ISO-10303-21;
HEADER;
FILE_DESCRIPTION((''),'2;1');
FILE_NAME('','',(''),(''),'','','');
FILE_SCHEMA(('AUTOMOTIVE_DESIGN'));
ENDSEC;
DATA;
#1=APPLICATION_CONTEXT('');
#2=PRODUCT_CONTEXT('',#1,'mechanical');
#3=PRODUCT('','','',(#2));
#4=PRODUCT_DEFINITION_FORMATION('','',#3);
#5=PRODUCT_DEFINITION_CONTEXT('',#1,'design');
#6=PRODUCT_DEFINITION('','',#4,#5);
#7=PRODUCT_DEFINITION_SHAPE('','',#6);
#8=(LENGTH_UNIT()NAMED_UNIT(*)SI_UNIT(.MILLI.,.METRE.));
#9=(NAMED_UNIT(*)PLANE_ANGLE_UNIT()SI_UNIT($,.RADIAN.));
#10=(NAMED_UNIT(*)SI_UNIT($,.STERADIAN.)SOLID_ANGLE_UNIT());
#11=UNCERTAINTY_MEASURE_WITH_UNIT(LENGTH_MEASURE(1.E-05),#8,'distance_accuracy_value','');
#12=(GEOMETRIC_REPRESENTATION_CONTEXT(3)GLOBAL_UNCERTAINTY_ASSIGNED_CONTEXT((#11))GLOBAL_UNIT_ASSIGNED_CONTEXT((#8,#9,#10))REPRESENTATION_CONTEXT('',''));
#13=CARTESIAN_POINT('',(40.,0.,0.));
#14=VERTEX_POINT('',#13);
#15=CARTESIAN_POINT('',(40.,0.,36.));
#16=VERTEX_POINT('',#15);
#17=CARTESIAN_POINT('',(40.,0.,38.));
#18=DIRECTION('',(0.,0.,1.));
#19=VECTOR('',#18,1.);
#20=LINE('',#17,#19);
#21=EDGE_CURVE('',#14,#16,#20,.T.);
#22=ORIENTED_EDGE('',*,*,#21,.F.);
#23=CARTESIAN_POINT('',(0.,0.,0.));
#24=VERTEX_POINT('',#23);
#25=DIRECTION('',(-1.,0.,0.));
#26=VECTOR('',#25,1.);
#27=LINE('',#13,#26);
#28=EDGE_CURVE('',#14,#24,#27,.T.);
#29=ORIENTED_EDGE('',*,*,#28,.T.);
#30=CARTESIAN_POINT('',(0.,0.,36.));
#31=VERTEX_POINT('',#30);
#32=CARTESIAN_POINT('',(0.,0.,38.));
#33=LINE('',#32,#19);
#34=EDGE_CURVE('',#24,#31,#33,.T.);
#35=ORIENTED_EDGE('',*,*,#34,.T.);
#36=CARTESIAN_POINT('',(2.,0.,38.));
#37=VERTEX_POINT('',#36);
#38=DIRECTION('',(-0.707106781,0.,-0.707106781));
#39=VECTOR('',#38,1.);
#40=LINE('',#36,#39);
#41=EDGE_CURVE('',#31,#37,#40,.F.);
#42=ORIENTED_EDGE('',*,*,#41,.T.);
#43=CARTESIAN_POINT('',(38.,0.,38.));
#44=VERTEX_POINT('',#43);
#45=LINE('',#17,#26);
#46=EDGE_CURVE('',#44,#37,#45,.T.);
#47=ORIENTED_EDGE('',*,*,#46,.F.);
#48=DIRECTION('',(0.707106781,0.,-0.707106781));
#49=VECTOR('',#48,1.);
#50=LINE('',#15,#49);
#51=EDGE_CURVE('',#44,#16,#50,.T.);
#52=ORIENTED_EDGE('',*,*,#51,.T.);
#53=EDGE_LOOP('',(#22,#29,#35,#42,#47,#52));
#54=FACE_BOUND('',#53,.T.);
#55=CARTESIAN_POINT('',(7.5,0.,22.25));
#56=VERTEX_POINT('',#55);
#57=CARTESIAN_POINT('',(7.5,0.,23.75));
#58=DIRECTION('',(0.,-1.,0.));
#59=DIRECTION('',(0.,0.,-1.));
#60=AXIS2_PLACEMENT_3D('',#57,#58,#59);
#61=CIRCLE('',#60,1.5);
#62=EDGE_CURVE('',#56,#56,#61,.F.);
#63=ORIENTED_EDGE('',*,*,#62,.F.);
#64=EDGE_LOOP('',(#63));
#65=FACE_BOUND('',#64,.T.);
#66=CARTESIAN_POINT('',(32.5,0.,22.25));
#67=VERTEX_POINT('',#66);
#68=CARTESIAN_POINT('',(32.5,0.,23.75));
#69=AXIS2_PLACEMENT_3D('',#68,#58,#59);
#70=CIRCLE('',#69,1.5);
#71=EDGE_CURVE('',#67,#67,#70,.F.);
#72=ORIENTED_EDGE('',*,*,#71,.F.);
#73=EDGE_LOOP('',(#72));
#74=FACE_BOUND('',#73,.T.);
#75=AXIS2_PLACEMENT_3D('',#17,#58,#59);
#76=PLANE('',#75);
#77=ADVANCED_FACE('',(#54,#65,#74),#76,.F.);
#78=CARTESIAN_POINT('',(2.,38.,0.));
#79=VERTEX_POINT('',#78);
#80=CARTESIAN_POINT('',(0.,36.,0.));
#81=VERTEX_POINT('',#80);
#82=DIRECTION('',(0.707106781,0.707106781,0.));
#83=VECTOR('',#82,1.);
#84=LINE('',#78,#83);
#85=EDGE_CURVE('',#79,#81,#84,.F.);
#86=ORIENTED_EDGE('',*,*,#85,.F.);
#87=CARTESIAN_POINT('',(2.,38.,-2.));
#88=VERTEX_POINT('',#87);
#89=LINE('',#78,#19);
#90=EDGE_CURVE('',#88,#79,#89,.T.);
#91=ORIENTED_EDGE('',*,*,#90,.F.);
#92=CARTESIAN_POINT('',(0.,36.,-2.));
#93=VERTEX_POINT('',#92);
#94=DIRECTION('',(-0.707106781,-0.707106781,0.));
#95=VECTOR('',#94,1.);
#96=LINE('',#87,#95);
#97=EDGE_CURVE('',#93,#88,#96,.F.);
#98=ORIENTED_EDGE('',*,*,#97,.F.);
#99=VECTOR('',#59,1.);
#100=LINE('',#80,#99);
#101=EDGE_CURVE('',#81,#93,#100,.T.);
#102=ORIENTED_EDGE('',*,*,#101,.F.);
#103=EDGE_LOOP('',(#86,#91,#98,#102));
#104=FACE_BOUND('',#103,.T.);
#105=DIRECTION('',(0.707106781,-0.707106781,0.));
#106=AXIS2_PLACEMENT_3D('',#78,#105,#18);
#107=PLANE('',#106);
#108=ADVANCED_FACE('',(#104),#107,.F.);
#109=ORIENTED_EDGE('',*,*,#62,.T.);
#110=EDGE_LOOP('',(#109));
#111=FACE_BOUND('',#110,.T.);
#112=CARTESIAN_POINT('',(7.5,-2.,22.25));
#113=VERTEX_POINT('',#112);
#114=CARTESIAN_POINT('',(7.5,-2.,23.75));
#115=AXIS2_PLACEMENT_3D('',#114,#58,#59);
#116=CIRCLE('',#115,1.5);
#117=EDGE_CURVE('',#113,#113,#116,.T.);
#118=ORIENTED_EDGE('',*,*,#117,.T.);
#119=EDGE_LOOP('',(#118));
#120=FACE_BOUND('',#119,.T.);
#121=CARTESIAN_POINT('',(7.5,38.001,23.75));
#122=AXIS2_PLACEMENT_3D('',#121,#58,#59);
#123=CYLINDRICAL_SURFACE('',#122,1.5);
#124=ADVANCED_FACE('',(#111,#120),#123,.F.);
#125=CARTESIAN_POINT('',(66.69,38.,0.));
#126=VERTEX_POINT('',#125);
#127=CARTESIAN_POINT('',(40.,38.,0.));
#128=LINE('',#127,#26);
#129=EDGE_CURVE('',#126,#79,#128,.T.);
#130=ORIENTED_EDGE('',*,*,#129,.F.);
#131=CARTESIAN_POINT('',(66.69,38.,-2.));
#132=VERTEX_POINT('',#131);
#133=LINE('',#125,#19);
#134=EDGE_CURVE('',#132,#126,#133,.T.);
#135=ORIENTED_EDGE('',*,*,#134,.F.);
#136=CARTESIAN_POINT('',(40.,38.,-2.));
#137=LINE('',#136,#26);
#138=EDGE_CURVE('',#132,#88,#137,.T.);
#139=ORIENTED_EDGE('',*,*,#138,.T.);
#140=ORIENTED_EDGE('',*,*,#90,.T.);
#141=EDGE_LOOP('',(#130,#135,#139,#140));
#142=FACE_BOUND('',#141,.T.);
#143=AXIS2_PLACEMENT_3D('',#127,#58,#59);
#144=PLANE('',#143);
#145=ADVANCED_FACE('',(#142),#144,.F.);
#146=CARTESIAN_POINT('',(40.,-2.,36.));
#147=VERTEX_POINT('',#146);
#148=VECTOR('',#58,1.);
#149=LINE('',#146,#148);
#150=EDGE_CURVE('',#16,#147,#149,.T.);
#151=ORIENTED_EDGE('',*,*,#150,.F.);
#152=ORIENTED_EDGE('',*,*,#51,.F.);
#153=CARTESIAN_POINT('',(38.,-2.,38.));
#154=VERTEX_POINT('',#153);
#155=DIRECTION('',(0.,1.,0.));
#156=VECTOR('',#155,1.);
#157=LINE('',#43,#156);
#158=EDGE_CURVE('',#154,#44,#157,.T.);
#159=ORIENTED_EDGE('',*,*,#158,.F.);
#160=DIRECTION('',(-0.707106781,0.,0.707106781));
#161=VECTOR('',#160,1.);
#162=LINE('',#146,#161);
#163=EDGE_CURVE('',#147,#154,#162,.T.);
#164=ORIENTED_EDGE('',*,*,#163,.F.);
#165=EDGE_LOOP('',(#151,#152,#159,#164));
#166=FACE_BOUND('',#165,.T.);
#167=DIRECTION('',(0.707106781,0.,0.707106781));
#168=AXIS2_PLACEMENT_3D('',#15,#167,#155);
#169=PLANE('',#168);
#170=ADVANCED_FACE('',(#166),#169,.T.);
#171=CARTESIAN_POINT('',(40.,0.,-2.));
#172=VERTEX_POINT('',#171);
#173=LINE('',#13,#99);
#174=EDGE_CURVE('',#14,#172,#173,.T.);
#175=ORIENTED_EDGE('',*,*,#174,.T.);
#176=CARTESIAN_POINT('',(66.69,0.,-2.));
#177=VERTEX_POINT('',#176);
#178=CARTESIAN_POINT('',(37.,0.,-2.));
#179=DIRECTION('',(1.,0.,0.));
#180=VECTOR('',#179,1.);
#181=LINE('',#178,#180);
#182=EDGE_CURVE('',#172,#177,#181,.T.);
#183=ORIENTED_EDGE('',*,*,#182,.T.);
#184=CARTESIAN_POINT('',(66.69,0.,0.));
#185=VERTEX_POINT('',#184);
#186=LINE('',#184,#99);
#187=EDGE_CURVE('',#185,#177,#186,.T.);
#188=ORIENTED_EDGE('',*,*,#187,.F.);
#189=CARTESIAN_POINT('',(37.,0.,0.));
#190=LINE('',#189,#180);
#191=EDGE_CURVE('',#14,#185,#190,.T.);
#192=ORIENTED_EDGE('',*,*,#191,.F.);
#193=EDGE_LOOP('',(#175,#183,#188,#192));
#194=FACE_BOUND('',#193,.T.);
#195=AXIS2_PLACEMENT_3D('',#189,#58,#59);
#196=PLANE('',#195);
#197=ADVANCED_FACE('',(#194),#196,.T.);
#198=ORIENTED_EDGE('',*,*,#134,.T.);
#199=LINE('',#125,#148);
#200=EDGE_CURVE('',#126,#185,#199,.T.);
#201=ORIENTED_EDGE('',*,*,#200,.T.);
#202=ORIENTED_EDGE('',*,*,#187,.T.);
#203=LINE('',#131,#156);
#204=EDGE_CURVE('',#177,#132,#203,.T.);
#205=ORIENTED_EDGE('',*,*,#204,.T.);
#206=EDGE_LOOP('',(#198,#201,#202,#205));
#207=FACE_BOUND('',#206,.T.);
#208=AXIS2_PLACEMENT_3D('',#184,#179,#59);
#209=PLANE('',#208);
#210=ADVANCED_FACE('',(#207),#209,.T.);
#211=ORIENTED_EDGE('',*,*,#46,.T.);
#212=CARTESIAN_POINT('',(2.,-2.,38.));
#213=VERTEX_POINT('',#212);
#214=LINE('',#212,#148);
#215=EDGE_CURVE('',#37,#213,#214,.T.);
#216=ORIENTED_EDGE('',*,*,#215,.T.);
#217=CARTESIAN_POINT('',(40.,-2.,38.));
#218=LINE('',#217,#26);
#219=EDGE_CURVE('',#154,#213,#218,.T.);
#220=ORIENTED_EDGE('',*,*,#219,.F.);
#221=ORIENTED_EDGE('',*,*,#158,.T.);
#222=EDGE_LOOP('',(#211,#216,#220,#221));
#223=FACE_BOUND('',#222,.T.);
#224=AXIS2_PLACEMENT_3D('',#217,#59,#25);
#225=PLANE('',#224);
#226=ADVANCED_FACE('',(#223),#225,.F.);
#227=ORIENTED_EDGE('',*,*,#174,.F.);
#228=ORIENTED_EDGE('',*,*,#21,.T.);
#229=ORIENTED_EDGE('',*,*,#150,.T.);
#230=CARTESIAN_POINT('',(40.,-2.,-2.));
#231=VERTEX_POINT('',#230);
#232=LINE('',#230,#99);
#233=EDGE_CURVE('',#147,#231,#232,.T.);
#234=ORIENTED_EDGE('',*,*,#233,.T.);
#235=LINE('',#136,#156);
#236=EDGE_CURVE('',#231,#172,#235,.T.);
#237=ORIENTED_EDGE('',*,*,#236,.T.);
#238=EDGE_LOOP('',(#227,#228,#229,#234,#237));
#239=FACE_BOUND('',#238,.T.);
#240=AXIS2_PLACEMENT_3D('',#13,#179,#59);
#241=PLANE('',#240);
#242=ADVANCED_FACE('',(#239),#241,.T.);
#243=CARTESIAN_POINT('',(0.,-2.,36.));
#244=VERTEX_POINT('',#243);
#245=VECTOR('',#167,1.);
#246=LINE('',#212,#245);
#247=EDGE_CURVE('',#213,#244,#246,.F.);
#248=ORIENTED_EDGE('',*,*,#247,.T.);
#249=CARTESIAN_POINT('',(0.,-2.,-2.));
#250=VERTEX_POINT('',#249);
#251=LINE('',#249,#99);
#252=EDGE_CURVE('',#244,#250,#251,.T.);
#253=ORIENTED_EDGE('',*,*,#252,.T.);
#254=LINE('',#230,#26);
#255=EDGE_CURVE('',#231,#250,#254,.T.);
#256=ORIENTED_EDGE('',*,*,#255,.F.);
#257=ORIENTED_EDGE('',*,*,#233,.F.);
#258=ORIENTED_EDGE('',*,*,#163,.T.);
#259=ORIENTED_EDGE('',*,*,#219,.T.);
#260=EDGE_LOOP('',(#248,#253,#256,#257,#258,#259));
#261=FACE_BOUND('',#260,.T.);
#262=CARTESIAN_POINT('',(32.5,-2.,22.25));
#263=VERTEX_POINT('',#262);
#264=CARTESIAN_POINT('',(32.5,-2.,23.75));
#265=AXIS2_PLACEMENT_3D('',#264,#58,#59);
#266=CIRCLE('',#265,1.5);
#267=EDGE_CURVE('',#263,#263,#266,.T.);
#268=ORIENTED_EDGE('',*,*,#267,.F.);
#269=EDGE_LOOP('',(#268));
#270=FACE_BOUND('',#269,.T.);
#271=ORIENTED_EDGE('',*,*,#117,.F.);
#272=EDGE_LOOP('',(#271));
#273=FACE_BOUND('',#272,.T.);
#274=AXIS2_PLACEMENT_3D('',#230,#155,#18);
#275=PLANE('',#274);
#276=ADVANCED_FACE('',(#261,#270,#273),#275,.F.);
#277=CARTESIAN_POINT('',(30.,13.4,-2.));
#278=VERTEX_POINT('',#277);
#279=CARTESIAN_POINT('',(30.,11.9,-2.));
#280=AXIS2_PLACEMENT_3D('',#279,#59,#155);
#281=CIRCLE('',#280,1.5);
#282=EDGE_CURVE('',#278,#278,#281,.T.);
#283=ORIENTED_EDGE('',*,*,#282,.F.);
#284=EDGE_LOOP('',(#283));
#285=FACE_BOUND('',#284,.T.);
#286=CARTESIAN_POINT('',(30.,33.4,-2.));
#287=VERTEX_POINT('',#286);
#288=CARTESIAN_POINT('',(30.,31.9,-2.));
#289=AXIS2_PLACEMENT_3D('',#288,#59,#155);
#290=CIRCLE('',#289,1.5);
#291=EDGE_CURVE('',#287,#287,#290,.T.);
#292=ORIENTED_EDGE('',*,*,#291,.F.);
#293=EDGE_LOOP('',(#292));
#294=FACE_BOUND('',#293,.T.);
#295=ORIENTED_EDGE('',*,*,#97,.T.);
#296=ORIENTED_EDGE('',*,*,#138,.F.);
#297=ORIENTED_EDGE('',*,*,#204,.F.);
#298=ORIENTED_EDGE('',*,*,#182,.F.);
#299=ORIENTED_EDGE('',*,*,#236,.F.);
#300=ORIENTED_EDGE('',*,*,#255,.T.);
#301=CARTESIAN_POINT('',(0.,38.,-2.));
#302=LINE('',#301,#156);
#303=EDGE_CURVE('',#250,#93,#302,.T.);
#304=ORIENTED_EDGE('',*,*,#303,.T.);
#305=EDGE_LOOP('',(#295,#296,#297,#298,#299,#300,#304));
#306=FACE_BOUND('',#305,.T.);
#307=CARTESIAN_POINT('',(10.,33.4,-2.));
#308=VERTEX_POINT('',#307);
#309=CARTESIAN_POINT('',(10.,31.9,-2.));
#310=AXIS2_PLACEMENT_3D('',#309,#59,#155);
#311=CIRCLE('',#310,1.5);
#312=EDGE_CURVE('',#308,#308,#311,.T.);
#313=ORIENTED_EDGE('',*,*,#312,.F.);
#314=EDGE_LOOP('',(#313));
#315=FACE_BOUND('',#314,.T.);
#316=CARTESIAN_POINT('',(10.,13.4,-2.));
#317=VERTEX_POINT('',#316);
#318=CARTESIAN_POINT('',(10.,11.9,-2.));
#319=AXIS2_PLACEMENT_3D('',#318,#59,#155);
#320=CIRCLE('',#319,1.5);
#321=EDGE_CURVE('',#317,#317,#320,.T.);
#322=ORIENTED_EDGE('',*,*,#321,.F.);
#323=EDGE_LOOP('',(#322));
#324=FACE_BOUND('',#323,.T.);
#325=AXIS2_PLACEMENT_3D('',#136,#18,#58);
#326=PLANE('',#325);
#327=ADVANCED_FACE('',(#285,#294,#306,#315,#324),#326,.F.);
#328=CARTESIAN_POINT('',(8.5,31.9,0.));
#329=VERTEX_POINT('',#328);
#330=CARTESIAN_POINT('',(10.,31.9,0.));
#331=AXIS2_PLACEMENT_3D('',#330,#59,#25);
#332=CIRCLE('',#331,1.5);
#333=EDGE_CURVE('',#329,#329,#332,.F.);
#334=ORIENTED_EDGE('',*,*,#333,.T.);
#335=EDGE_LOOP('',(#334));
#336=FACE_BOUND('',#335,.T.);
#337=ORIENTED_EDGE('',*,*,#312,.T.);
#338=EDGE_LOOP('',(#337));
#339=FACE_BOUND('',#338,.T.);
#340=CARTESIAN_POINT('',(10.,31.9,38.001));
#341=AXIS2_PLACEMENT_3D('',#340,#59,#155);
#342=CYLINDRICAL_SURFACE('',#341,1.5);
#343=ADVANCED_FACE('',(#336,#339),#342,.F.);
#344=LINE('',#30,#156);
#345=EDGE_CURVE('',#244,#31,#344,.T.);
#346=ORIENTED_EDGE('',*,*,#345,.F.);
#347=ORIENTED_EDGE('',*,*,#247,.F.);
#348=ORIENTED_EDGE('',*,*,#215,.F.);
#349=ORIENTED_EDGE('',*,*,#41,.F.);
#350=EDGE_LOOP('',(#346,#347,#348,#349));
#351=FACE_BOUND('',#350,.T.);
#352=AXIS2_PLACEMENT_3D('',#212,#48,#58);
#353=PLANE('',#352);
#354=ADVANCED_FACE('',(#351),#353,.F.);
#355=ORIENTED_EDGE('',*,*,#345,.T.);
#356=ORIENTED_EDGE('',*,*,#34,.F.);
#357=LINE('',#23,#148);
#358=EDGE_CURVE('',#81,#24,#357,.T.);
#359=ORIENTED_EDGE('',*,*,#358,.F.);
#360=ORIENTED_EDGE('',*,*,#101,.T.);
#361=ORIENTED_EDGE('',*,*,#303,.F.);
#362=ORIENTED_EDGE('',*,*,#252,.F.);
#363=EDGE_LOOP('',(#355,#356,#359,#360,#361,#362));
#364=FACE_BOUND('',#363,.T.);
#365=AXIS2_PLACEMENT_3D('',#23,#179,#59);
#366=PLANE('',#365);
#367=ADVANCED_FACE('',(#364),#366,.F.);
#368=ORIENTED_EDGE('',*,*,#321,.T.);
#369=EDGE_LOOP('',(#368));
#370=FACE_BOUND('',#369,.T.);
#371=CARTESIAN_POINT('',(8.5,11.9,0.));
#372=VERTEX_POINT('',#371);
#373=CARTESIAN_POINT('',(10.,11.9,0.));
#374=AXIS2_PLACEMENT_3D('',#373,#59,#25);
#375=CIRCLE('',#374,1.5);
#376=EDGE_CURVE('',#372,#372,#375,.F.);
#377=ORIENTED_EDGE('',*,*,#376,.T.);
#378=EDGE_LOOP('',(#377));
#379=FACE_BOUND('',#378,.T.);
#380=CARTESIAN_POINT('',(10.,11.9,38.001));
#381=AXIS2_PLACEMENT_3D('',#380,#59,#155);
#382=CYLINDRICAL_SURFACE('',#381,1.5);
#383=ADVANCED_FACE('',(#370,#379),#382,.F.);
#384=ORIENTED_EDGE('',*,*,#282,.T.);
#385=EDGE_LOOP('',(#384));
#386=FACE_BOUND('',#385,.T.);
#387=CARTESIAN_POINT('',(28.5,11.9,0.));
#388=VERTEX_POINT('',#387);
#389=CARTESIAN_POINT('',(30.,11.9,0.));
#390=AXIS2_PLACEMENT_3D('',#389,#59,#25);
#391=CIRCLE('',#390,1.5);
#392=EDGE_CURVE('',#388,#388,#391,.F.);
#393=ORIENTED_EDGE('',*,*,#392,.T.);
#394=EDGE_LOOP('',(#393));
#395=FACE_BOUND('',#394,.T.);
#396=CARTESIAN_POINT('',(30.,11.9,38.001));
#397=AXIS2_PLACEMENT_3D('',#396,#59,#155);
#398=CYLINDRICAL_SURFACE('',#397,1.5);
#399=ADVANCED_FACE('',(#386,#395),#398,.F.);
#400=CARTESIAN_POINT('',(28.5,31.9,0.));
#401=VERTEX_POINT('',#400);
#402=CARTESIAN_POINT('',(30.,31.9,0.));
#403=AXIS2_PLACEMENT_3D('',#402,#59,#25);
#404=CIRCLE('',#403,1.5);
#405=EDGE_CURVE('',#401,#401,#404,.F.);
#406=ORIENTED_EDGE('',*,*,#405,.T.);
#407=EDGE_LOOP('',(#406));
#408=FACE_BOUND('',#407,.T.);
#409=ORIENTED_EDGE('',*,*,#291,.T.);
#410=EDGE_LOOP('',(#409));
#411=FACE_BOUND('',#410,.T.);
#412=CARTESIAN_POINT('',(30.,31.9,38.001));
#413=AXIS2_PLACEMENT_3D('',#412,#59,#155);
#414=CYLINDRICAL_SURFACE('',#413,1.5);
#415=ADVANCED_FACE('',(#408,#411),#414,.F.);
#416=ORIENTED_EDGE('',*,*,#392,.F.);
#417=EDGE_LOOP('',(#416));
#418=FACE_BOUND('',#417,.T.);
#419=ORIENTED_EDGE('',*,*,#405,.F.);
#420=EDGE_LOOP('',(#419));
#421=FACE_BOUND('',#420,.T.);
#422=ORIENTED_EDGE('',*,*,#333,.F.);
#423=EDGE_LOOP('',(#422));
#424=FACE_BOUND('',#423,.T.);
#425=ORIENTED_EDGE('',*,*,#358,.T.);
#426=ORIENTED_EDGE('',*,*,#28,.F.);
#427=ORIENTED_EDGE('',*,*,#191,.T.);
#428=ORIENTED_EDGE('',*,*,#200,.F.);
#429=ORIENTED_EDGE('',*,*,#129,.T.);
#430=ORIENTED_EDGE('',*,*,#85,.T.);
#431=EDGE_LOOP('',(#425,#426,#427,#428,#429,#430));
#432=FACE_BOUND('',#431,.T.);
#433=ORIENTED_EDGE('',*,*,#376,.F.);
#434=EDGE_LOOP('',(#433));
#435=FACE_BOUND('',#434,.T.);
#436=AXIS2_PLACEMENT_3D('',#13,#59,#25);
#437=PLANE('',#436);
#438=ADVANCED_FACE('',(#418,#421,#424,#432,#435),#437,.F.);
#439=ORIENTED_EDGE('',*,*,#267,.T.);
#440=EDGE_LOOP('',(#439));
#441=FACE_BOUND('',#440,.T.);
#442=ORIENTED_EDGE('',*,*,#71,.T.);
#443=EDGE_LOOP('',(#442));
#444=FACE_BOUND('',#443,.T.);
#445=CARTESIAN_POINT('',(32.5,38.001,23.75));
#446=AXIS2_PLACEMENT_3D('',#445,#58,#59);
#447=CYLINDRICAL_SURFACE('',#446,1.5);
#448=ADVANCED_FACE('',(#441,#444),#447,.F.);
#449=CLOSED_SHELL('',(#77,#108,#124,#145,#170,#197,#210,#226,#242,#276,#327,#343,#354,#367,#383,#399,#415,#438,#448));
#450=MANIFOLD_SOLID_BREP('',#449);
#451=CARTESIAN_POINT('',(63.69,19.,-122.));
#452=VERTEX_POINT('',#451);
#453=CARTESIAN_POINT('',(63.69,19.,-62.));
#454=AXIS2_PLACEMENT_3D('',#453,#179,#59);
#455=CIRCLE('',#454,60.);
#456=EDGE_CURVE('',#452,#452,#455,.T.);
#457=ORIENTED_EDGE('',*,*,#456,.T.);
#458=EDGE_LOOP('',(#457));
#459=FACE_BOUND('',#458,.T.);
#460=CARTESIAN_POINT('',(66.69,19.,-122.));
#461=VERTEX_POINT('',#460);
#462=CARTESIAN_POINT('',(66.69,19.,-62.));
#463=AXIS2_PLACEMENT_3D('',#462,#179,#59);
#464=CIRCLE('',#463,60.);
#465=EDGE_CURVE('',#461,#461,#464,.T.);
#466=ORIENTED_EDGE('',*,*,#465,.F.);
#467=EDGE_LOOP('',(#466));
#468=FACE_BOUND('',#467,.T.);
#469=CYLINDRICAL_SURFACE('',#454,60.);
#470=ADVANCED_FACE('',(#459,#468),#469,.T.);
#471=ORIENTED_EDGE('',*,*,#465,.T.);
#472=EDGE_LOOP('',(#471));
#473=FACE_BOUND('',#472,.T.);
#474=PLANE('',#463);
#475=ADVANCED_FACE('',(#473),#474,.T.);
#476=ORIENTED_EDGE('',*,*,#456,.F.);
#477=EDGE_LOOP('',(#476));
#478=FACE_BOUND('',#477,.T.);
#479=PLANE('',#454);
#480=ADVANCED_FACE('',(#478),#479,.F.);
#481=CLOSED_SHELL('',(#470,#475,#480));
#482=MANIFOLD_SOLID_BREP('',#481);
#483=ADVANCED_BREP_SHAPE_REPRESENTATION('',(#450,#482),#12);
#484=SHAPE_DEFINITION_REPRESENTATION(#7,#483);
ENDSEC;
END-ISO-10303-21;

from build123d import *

# Parameters (mm, degrees)
EXTRUDE1_DEPTH           = 40
EXTRUDE2_REACH           = 42
SKETCH2_R                = 1.5
EXTRUDE3_REACH           = 42
SKETCH3_R                = 1.5
CHAMFER1_SIZE            = 2
SKETCH4_W                = 2
SKETCH4_H                = 38
BOSS_EXTRUDE1_DEPTH      = 26.69
BOSS_EXTRUDE1_DEPTH_BACK = 3
SKETCH5_R                = 60
BOSS_EXTRUDE2_DEPTH      = 3


with BuildPart() as part:
    # Sketch1 → Extrude1 (new body)
    with BuildSketch(Plane(origin=(0, 0, 0), x_dir=(0, 0, -1), z_dir=(1, 0, 0))):
        Polygon((0, 0), (0, 38), (2, 38), (2, -2), (-38, -2), (-38, 0), align=None)
    extrude(amount=EXTRUDE1_DEPTH)

    # Sketch2 → Extrude2 (cut, up to next)
    with BuildSketch(Plane(origin=(0, -2, 0), x_dir=(-1, 0, 0), z_dir=(0, -1, 0)), mode=Mode.PRIVATE) as extrude2_sk1:
        with Locations((-32.5, -23.75)):
            Circle(SKETCH2_R)
    extrude2_tool1 = extrude(extrude2_sk1.sketch, amount=-EXTRUDE2_REACH, mode=Mode.PRIVATE) & part.part
    add(extrude2_tool1.solids().sort_by_distance((32.5, -2, 23.75))[0], mode=Mode.SUBTRACT)
    # Sketch2 → Extrude2 (cut, up to next)
    with BuildSketch(Plane(origin=(0, -2, 0), x_dir=(-1, 0, 0), z_dir=(0, -1, 0)), mode=Mode.PRIVATE) as extrude2_sk2:
        with Locations((-7.5, -23.75)):
            Circle(SKETCH2_R)
    extrude2_tool2 = extrude(extrude2_sk2.sketch, amount=-EXTRUDE2_REACH, mode=Mode.PRIVATE) & part.part
    add(extrude2_tool2.solids().sort_by_distance((7.5, -2, 23.75))[0], mode=Mode.SUBTRACT)

    # Sketch3 → Extrude3 (cut, up to next)
    with BuildSketch(Plane(origin=(0, 0, -2), x_dir=(-1, 0, 0), z_dir=(0, 0, -1)), mode=Mode.PRIVATE) as extrude3_sk1:
        with Locations((-10, 31.9)):
            Circle(SKETCH3_R)
    extrude3_tool1 = extrude(extrude3_sk1.sketch, amount=-EXTRUDE3_REACH, mode=Mode.PRIVATE) & part.part
    add(extrude3_tool1.solids().sort_by_distance((10, 31.9, -2))[0], mode=Mode.SUBTRACT)
    # Sketch3 → Extrude3 (cut, up to next)
    with BuildSketch(Plane(origin=(0, 0, -2), x_dir=(-1, 0, 0), z_dir=(0, 0, -1)), mode=Mode.PRIVATE) as extrude3_sk2:
        with Locations((-30, 31.9)):
            Circle(SKETCH3_R)
    extrude3_tool2 = extrude(extrude3_sk2.sketch, amount=-EXTRUDE3_REACH, mode=Mode.PRIVATE) & part.part
    add(extrude3_tool2.solids().sort_by_distance((30, 31.9, -2))[0], mode=Mode.SUBTRACT)
    # Sketch3 → Extrude3 (cut, up to next)
    with BuildSketch(Plane(origin=(0, 0, -2), x_dir=(-1, 0, 0), z_dir=(0, 0, -1)), mode=Mode.PRIVATE) as extrude3_sk3:
        with Locations((-30, 11.9)):
            Circle(SKETCH3_R)
    extrude3_tool3 = extrude(extrude3_sk3.sketch, amount=-EXTRUDE3_REACH, mode=Mode.PRIVATE) & part.part
    add(extrude3_tool3.solids().sort_by_distance((30, 11.9, -2))[0], mode=Mode.SUBTRACT)
    # Sketch3 → Extrude3 (cut, up to next)
    with BuildSketch(Plane(origin=(0, 0, -2), x_dir=(-1, 0, 0), z_dir=(0, 0, -1)), mode=Mode.PRIVATE) as extrude3_sk4:
        with Locations((-10, 11.9)):
            Circle(SKETCH3_R)
    extrude3_tool4 = extrude(extrude3_sk4.sketch, amount=-EXTRUDE3_REACH, mode=Mode.PRIVATE) & part.part
    add(extrude3_tool4.solids().sort_by_distance((10, 11.9, -2))[0], mode=Mode.SUBTRACT)

    # Chamfer1
    chamfer1_edges = [part.edges().sort_by_distance(p)[0] for p in [
        (40, 38, -1),
        (0, 38, -1),
        (40, -1, 38),
        (0, -1, 38),
    ]]
    chamfer(chamfer1_edges, length=CHAMFER1_SIZE)

    # Sketch4 → Boss-Extrude1 (add, two sides)
    with BuildSketch(Plane(origin=(40, 0, 0), x_dir=(0, 0, -1), z_dir=(1, 0, 0))) as boss_extrude1_sk:
        with Locations((1, 19)):
            Rectangle(SKETCH4_W, SKETCH4_H)
    extrude(amount=BOSS_EXTRUDE1_DEPTH)
    extrude(boss_extrude1_sk.sketch, amount=-BOSS_EXTRUDE1_DEPTH_BACK)


with BuildPart() as body_2:
    # Sketch5 → Boss-Extrude2 (new body)
    with BuildSketch(Plane(origin=(66.69, 0, 0), x_dir=(0, 0, -1), z_dir=(1, 0, 0))):
        with Locations((62, 19)):
            Circle(SKETCH5_R)
    extrude(amount=-BOSS_EXTRUDE2_DEPTH)


solid = Compound([part.part, body_2.part])
